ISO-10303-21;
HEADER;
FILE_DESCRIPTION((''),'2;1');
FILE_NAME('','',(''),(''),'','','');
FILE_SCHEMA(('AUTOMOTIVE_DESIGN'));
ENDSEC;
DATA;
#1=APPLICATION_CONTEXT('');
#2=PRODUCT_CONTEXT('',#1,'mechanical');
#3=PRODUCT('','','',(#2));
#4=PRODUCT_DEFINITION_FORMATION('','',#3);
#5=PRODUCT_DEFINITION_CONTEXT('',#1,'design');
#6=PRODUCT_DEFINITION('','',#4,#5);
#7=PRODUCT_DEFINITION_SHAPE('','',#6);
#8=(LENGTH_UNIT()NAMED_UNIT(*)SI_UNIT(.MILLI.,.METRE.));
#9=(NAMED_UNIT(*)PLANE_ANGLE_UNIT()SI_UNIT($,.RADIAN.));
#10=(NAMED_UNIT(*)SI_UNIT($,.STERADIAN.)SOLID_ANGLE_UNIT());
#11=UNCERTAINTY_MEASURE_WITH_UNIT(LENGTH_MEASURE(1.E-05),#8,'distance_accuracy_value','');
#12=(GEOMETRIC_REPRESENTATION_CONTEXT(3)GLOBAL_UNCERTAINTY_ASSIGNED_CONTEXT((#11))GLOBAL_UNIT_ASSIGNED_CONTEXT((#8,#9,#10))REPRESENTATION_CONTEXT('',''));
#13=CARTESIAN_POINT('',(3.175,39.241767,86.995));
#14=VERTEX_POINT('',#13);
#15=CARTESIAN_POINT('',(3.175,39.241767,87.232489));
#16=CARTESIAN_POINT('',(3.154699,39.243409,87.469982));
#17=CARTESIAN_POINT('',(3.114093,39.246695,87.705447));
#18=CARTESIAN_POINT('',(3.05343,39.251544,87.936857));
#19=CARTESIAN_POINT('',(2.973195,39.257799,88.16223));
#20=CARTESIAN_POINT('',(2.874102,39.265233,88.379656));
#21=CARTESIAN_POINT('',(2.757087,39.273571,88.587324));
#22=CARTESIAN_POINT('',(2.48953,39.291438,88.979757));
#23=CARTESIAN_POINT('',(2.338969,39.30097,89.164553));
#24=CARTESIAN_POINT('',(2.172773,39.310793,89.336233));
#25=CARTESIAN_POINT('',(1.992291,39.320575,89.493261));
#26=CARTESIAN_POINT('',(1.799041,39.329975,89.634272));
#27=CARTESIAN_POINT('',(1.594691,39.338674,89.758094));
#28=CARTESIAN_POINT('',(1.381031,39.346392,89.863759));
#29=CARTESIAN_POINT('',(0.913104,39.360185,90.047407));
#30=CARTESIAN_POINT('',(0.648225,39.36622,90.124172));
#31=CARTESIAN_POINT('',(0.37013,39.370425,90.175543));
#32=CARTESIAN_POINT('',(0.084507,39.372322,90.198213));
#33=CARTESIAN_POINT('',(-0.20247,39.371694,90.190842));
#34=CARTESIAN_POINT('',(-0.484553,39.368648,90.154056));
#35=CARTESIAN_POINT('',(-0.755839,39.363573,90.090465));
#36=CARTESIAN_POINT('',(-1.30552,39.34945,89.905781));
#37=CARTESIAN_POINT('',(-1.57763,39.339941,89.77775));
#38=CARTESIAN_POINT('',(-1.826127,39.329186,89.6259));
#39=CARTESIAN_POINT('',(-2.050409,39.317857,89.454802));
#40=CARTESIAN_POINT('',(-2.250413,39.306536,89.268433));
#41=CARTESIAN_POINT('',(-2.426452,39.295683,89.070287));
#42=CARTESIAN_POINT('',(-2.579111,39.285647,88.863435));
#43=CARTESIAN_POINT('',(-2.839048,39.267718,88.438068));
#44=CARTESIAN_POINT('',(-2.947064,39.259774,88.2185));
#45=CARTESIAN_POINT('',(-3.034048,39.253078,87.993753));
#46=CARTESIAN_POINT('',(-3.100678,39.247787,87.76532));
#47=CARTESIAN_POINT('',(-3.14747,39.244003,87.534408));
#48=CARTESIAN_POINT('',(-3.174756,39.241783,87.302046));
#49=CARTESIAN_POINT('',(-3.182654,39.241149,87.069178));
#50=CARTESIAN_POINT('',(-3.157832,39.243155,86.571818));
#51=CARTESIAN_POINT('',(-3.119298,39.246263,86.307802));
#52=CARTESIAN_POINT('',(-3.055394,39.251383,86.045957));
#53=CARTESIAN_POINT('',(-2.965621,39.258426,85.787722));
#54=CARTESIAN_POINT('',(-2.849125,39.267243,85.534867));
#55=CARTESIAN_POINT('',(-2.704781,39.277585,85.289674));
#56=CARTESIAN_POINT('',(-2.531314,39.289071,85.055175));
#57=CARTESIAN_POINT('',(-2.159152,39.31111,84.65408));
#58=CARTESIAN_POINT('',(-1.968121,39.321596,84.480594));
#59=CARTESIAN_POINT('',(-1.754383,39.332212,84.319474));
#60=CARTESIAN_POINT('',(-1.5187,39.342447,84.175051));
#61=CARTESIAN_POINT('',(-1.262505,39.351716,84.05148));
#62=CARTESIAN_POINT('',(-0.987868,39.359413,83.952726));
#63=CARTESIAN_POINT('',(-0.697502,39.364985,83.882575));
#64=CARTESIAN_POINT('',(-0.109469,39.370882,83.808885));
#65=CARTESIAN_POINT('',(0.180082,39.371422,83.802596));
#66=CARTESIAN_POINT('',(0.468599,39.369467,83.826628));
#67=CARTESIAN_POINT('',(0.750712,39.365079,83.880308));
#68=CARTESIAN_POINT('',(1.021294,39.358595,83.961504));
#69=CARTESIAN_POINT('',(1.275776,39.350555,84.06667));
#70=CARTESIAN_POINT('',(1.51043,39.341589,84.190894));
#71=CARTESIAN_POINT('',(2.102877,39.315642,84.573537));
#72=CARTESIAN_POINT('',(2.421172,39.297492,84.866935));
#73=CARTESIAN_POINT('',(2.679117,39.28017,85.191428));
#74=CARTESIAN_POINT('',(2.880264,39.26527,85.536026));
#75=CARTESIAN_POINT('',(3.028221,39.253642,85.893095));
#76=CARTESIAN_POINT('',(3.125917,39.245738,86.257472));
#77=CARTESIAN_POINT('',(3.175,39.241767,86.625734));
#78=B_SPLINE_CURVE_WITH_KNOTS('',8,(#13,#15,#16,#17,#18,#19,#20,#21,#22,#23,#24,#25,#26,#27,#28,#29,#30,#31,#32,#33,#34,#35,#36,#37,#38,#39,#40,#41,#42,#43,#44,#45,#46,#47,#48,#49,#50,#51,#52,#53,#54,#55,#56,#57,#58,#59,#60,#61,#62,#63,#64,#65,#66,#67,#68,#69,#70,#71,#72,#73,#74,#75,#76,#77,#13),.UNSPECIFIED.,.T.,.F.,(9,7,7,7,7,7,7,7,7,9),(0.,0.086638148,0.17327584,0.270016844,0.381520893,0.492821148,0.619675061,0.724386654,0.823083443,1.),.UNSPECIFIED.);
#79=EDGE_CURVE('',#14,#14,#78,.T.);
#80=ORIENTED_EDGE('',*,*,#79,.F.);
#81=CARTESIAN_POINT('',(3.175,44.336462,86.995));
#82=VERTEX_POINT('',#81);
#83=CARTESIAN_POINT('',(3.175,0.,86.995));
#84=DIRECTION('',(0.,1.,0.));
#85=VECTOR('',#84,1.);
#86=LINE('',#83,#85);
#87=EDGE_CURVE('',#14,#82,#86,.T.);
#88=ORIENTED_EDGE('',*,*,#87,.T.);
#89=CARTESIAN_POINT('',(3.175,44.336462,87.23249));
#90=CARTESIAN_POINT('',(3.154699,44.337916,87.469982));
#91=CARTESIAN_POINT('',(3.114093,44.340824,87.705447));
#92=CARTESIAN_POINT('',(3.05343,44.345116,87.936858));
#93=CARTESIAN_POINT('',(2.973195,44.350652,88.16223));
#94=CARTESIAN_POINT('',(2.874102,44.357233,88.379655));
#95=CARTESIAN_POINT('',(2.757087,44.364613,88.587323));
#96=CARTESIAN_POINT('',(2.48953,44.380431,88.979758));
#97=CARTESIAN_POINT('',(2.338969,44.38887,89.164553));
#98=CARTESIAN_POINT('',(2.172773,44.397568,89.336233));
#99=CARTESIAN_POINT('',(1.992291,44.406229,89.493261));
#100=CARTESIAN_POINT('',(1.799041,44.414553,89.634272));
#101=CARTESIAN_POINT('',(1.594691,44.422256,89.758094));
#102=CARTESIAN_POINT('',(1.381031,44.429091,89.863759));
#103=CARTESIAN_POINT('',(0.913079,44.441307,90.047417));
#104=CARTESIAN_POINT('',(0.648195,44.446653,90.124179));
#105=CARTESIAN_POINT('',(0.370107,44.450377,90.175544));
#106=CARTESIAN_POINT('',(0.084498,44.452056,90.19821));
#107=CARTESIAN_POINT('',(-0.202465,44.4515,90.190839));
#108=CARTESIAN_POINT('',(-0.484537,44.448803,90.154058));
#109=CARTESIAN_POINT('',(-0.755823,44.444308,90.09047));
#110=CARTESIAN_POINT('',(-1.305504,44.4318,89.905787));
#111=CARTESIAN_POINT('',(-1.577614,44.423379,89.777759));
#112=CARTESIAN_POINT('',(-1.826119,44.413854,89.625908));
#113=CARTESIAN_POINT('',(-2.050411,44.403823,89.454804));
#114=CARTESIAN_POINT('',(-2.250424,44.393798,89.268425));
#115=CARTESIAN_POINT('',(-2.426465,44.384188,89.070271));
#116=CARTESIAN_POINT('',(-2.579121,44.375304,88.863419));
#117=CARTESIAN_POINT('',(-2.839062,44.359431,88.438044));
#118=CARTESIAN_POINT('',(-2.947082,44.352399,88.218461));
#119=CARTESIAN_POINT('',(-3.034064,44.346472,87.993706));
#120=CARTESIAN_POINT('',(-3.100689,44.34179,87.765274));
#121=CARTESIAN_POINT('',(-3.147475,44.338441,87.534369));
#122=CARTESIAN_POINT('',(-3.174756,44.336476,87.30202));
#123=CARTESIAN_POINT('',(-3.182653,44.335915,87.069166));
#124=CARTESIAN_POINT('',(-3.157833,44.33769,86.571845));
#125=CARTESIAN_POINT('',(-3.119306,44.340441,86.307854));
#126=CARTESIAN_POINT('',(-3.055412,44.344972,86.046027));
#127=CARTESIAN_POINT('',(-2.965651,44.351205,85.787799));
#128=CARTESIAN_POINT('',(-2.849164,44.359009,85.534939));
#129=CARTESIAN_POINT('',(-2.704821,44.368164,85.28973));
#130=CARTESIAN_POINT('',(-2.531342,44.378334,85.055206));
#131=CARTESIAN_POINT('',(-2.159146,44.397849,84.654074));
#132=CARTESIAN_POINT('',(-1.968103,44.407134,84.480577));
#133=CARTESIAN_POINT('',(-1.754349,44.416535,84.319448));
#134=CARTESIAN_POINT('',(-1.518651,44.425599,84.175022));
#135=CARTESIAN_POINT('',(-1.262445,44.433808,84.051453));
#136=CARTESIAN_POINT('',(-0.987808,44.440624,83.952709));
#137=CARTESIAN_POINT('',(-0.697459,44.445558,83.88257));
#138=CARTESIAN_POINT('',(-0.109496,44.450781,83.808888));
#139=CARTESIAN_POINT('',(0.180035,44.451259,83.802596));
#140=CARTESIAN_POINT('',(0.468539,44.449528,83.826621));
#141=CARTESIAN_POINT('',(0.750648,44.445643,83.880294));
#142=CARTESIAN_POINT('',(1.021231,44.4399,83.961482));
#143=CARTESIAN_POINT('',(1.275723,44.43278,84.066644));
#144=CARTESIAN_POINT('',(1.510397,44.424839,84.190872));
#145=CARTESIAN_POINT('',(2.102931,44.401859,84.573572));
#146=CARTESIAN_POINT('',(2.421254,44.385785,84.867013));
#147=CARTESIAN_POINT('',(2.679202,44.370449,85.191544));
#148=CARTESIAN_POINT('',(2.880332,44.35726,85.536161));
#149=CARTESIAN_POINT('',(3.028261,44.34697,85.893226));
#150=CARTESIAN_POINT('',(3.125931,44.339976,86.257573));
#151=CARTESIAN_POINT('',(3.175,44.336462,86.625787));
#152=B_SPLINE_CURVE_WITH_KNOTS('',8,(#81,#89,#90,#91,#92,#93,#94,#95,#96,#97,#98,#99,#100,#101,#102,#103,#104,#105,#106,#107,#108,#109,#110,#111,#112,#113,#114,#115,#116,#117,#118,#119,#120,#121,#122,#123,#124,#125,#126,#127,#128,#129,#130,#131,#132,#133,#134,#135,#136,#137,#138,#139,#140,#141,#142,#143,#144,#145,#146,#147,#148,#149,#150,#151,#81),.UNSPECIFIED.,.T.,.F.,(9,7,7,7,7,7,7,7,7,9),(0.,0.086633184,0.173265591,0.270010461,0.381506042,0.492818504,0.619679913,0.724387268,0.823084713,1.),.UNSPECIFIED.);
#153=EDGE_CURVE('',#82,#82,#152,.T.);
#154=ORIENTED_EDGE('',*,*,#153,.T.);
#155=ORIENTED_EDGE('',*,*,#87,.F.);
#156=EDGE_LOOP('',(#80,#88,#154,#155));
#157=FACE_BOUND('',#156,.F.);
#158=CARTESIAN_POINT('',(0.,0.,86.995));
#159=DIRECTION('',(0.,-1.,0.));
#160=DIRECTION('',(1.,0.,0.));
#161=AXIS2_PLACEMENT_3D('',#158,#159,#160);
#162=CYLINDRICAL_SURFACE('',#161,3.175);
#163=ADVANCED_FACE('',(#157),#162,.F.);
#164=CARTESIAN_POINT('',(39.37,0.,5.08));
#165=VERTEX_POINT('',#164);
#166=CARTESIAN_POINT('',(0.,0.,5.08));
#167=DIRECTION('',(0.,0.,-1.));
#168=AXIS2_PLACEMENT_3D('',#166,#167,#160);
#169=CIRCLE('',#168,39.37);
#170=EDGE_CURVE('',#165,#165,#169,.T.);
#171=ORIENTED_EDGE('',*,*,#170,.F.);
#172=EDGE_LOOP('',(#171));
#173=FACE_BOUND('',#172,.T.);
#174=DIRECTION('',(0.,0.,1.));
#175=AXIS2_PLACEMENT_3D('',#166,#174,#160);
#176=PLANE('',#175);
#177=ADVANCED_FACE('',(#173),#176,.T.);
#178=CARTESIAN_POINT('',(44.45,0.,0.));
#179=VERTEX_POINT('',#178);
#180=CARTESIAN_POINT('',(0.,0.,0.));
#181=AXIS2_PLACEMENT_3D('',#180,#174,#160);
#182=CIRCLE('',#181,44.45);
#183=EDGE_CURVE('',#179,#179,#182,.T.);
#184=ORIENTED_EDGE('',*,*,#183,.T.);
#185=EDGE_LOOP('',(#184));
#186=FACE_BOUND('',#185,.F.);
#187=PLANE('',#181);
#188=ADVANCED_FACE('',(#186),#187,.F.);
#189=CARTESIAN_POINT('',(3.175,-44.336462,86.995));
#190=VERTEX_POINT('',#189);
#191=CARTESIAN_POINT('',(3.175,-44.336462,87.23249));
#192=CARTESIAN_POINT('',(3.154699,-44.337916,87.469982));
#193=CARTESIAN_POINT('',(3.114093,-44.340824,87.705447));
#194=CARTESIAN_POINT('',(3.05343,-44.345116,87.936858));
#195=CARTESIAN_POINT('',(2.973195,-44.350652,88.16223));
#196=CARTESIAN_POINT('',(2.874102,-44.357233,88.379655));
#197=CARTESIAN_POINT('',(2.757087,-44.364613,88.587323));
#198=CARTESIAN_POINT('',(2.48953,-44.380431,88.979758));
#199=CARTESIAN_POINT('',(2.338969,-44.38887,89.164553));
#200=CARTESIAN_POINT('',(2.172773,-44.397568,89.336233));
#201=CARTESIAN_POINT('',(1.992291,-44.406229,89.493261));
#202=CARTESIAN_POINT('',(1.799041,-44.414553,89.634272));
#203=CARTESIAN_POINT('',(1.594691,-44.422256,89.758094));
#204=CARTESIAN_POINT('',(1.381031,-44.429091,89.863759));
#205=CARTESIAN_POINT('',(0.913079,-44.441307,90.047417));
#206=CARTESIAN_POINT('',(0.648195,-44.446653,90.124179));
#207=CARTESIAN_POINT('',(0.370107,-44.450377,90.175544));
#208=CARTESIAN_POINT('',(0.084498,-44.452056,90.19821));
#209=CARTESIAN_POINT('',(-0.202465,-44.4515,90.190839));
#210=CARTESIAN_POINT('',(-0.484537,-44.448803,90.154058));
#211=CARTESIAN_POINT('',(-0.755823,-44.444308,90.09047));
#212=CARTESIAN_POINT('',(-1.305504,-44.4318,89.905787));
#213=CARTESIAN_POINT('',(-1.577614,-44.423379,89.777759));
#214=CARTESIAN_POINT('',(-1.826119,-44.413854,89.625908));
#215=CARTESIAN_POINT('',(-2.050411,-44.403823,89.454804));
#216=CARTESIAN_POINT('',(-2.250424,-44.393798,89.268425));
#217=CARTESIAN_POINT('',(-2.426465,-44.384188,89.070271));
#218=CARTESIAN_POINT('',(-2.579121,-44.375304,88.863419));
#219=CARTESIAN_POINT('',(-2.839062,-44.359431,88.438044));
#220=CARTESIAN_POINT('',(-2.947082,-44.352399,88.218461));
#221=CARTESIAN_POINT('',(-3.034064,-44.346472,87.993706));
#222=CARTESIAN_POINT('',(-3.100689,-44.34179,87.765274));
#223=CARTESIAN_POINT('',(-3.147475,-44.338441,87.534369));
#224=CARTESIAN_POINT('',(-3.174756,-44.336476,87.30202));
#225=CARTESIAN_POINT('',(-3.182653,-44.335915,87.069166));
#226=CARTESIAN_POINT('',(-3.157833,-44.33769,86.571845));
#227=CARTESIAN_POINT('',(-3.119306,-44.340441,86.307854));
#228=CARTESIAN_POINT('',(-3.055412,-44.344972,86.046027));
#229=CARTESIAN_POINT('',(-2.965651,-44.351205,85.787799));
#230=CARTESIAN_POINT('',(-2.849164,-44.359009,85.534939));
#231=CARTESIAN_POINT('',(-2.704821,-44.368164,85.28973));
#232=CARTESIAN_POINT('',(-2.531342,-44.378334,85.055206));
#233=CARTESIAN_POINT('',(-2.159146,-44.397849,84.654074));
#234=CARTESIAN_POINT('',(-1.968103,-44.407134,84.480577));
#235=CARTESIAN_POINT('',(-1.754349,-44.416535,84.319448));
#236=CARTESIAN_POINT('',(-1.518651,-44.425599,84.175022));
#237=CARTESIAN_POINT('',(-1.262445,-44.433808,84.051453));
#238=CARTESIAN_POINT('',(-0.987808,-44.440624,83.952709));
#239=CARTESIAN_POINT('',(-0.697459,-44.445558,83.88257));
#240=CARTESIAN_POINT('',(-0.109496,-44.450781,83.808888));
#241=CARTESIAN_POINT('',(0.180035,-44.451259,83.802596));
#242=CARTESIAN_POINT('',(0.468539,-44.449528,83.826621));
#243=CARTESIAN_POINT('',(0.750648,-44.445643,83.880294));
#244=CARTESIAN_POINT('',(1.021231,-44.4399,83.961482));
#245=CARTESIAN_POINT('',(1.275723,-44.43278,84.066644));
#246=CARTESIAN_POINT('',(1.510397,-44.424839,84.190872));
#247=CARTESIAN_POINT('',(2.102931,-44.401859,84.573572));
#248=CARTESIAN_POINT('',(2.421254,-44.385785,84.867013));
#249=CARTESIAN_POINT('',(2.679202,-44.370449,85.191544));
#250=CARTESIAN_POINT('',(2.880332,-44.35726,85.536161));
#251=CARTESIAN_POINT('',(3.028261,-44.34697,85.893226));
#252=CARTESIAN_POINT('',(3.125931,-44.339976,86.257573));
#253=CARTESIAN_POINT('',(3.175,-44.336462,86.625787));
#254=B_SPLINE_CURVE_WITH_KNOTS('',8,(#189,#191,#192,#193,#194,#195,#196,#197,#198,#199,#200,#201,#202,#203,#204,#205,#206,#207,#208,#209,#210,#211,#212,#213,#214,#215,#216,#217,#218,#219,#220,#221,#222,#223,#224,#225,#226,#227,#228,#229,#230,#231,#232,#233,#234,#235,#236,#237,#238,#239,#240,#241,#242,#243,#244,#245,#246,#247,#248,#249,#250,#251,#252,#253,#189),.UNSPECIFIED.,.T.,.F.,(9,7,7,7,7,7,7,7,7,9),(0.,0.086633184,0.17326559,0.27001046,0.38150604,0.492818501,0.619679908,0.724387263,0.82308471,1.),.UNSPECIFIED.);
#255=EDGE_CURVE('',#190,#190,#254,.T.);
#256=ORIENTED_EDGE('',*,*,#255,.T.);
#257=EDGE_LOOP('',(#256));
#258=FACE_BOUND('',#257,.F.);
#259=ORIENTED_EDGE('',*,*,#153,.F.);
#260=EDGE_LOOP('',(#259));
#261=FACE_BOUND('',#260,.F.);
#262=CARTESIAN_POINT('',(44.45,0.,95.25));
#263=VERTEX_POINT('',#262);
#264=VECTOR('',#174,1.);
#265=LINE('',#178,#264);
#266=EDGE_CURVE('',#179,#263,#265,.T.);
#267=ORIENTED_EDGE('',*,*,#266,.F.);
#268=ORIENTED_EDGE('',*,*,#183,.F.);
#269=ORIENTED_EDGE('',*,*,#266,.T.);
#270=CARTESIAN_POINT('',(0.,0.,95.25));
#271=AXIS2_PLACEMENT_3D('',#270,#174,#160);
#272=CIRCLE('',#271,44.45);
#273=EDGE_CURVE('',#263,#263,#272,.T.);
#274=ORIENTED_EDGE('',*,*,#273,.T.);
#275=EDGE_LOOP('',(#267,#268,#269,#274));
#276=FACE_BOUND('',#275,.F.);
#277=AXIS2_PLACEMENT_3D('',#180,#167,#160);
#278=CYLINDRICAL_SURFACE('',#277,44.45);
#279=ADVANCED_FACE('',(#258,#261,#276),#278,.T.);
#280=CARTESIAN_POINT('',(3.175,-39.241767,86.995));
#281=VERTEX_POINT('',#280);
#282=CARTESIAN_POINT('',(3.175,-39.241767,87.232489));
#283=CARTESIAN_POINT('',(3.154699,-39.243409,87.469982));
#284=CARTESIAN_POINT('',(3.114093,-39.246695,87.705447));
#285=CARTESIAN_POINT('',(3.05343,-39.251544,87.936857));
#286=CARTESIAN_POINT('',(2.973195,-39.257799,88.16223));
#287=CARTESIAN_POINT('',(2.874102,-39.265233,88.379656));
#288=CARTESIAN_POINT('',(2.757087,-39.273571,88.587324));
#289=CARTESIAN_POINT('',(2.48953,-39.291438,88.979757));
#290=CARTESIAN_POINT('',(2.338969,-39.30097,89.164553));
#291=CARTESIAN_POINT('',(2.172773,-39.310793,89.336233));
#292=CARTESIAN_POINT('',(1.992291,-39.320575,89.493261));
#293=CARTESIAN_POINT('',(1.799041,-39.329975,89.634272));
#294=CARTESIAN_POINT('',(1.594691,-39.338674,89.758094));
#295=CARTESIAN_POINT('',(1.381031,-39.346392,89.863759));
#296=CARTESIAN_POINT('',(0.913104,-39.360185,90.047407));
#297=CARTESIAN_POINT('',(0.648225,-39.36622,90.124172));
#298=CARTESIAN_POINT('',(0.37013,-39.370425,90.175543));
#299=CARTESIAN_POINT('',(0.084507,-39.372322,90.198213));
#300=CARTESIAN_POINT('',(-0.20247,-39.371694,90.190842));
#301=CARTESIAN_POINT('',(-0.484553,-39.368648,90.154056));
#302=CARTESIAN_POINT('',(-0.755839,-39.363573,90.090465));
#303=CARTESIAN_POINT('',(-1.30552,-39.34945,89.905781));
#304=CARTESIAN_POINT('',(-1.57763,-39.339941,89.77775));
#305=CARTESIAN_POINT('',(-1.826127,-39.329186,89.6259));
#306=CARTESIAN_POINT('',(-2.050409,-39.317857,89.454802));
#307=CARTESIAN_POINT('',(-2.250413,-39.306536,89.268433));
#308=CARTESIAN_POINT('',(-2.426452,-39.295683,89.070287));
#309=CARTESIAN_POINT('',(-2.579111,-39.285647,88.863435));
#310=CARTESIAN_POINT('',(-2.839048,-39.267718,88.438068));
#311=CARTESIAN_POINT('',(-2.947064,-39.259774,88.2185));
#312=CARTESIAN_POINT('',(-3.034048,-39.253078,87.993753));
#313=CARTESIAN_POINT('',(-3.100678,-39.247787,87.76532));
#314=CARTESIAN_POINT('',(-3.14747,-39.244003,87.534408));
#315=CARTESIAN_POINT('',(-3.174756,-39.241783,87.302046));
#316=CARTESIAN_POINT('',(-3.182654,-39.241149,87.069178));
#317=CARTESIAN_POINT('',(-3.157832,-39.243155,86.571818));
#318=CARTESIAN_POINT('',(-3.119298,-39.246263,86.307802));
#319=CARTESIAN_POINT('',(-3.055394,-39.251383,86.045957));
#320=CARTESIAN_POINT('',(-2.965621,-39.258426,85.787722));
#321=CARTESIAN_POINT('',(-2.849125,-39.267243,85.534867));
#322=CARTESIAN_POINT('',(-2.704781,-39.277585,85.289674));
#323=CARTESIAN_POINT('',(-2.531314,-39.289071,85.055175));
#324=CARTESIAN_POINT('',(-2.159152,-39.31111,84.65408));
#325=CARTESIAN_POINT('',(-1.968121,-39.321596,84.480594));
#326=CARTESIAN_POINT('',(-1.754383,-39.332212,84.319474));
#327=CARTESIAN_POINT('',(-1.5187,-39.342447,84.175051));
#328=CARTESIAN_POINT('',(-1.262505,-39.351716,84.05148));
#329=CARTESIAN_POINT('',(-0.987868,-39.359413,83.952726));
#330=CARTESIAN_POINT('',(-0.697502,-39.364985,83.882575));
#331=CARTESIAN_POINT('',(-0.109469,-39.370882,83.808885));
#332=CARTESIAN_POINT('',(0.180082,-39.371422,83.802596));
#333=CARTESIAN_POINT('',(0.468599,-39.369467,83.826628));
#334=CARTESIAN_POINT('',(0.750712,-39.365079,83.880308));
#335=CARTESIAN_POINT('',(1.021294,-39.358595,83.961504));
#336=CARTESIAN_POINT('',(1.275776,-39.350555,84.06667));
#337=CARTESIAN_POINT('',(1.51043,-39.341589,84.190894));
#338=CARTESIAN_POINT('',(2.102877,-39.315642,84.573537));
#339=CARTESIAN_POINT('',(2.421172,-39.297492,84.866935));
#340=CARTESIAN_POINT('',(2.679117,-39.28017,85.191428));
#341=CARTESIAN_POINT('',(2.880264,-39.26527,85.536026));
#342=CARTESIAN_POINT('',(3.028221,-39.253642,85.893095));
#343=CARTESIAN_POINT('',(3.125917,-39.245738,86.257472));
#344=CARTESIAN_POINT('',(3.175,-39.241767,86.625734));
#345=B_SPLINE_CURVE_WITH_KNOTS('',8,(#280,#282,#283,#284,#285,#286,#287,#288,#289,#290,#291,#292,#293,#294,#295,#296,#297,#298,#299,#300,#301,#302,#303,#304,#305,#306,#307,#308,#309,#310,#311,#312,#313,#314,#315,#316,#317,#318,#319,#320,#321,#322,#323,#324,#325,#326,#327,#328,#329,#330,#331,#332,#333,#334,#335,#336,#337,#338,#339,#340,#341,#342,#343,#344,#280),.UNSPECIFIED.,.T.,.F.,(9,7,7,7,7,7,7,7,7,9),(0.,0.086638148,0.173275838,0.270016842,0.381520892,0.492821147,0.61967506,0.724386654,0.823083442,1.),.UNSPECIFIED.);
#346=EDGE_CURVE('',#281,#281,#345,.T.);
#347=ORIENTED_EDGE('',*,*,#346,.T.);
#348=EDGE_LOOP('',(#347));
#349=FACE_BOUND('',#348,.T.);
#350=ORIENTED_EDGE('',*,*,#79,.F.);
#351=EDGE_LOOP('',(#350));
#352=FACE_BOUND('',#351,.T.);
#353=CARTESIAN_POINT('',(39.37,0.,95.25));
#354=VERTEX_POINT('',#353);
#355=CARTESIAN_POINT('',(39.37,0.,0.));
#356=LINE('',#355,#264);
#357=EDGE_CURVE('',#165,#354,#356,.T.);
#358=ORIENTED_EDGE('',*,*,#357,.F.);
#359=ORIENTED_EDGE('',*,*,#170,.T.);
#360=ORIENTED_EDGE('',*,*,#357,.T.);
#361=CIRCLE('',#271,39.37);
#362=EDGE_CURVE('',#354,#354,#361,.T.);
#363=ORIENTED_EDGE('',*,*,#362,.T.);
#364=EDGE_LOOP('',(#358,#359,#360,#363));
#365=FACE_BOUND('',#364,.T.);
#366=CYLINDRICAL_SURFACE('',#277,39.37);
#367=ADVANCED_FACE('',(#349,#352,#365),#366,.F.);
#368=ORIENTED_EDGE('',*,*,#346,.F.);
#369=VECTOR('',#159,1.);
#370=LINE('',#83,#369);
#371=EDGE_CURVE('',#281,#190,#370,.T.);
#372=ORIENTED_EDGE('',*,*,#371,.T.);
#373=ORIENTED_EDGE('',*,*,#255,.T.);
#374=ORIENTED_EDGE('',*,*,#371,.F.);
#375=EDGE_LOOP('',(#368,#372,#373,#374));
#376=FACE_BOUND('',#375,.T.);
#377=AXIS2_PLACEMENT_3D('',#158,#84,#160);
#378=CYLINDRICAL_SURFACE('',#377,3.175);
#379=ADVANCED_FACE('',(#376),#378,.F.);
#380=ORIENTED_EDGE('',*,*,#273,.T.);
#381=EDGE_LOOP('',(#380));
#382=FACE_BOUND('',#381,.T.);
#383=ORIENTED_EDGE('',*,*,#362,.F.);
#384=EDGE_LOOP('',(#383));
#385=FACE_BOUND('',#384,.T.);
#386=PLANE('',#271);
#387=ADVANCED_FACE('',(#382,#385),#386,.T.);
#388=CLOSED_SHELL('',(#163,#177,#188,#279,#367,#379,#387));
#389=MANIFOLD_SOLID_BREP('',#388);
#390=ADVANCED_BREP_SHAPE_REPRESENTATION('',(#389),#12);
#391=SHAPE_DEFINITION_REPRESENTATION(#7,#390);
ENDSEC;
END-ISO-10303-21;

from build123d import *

# Parameters (mm, degrees)
F0_R          = 44.45
F1_DEPTH      = 95.25
F2_T          = -5.08
F3_R          = 3.175
F4_DEPTH      = 44.451
F4_DEPTH_BACK = 44.451


with BuildPart() as f1:
    # F0 (on Top) → F1 (new body)
    with BuildSketch(Plane.XY):
        Circle(F0_R)
    extrude(amount=F1_DEPTH)

    # F2
    f2_openings = [f1.faces().sort_by_distance(p)[0] for p in [
        (0, 0, 95.25),
    ]]
    offset(amount=F2_T, openings=f2_openings)

    # F3 (on Front) → F4 (cut, two sides)
    with BuildSketch(Plane.XZ) as f4_sk:
        with Locations((0, 86.995)):
            Circle(F3_R)
    extrude(amount=-F4_DEPTH, mode=Mode.SUBTRACT)
    extrude(f4_sk.sketch, amount=F4_DEPTH_BACK, mode=Mode.SUBTRACT)


solid = f1.part
